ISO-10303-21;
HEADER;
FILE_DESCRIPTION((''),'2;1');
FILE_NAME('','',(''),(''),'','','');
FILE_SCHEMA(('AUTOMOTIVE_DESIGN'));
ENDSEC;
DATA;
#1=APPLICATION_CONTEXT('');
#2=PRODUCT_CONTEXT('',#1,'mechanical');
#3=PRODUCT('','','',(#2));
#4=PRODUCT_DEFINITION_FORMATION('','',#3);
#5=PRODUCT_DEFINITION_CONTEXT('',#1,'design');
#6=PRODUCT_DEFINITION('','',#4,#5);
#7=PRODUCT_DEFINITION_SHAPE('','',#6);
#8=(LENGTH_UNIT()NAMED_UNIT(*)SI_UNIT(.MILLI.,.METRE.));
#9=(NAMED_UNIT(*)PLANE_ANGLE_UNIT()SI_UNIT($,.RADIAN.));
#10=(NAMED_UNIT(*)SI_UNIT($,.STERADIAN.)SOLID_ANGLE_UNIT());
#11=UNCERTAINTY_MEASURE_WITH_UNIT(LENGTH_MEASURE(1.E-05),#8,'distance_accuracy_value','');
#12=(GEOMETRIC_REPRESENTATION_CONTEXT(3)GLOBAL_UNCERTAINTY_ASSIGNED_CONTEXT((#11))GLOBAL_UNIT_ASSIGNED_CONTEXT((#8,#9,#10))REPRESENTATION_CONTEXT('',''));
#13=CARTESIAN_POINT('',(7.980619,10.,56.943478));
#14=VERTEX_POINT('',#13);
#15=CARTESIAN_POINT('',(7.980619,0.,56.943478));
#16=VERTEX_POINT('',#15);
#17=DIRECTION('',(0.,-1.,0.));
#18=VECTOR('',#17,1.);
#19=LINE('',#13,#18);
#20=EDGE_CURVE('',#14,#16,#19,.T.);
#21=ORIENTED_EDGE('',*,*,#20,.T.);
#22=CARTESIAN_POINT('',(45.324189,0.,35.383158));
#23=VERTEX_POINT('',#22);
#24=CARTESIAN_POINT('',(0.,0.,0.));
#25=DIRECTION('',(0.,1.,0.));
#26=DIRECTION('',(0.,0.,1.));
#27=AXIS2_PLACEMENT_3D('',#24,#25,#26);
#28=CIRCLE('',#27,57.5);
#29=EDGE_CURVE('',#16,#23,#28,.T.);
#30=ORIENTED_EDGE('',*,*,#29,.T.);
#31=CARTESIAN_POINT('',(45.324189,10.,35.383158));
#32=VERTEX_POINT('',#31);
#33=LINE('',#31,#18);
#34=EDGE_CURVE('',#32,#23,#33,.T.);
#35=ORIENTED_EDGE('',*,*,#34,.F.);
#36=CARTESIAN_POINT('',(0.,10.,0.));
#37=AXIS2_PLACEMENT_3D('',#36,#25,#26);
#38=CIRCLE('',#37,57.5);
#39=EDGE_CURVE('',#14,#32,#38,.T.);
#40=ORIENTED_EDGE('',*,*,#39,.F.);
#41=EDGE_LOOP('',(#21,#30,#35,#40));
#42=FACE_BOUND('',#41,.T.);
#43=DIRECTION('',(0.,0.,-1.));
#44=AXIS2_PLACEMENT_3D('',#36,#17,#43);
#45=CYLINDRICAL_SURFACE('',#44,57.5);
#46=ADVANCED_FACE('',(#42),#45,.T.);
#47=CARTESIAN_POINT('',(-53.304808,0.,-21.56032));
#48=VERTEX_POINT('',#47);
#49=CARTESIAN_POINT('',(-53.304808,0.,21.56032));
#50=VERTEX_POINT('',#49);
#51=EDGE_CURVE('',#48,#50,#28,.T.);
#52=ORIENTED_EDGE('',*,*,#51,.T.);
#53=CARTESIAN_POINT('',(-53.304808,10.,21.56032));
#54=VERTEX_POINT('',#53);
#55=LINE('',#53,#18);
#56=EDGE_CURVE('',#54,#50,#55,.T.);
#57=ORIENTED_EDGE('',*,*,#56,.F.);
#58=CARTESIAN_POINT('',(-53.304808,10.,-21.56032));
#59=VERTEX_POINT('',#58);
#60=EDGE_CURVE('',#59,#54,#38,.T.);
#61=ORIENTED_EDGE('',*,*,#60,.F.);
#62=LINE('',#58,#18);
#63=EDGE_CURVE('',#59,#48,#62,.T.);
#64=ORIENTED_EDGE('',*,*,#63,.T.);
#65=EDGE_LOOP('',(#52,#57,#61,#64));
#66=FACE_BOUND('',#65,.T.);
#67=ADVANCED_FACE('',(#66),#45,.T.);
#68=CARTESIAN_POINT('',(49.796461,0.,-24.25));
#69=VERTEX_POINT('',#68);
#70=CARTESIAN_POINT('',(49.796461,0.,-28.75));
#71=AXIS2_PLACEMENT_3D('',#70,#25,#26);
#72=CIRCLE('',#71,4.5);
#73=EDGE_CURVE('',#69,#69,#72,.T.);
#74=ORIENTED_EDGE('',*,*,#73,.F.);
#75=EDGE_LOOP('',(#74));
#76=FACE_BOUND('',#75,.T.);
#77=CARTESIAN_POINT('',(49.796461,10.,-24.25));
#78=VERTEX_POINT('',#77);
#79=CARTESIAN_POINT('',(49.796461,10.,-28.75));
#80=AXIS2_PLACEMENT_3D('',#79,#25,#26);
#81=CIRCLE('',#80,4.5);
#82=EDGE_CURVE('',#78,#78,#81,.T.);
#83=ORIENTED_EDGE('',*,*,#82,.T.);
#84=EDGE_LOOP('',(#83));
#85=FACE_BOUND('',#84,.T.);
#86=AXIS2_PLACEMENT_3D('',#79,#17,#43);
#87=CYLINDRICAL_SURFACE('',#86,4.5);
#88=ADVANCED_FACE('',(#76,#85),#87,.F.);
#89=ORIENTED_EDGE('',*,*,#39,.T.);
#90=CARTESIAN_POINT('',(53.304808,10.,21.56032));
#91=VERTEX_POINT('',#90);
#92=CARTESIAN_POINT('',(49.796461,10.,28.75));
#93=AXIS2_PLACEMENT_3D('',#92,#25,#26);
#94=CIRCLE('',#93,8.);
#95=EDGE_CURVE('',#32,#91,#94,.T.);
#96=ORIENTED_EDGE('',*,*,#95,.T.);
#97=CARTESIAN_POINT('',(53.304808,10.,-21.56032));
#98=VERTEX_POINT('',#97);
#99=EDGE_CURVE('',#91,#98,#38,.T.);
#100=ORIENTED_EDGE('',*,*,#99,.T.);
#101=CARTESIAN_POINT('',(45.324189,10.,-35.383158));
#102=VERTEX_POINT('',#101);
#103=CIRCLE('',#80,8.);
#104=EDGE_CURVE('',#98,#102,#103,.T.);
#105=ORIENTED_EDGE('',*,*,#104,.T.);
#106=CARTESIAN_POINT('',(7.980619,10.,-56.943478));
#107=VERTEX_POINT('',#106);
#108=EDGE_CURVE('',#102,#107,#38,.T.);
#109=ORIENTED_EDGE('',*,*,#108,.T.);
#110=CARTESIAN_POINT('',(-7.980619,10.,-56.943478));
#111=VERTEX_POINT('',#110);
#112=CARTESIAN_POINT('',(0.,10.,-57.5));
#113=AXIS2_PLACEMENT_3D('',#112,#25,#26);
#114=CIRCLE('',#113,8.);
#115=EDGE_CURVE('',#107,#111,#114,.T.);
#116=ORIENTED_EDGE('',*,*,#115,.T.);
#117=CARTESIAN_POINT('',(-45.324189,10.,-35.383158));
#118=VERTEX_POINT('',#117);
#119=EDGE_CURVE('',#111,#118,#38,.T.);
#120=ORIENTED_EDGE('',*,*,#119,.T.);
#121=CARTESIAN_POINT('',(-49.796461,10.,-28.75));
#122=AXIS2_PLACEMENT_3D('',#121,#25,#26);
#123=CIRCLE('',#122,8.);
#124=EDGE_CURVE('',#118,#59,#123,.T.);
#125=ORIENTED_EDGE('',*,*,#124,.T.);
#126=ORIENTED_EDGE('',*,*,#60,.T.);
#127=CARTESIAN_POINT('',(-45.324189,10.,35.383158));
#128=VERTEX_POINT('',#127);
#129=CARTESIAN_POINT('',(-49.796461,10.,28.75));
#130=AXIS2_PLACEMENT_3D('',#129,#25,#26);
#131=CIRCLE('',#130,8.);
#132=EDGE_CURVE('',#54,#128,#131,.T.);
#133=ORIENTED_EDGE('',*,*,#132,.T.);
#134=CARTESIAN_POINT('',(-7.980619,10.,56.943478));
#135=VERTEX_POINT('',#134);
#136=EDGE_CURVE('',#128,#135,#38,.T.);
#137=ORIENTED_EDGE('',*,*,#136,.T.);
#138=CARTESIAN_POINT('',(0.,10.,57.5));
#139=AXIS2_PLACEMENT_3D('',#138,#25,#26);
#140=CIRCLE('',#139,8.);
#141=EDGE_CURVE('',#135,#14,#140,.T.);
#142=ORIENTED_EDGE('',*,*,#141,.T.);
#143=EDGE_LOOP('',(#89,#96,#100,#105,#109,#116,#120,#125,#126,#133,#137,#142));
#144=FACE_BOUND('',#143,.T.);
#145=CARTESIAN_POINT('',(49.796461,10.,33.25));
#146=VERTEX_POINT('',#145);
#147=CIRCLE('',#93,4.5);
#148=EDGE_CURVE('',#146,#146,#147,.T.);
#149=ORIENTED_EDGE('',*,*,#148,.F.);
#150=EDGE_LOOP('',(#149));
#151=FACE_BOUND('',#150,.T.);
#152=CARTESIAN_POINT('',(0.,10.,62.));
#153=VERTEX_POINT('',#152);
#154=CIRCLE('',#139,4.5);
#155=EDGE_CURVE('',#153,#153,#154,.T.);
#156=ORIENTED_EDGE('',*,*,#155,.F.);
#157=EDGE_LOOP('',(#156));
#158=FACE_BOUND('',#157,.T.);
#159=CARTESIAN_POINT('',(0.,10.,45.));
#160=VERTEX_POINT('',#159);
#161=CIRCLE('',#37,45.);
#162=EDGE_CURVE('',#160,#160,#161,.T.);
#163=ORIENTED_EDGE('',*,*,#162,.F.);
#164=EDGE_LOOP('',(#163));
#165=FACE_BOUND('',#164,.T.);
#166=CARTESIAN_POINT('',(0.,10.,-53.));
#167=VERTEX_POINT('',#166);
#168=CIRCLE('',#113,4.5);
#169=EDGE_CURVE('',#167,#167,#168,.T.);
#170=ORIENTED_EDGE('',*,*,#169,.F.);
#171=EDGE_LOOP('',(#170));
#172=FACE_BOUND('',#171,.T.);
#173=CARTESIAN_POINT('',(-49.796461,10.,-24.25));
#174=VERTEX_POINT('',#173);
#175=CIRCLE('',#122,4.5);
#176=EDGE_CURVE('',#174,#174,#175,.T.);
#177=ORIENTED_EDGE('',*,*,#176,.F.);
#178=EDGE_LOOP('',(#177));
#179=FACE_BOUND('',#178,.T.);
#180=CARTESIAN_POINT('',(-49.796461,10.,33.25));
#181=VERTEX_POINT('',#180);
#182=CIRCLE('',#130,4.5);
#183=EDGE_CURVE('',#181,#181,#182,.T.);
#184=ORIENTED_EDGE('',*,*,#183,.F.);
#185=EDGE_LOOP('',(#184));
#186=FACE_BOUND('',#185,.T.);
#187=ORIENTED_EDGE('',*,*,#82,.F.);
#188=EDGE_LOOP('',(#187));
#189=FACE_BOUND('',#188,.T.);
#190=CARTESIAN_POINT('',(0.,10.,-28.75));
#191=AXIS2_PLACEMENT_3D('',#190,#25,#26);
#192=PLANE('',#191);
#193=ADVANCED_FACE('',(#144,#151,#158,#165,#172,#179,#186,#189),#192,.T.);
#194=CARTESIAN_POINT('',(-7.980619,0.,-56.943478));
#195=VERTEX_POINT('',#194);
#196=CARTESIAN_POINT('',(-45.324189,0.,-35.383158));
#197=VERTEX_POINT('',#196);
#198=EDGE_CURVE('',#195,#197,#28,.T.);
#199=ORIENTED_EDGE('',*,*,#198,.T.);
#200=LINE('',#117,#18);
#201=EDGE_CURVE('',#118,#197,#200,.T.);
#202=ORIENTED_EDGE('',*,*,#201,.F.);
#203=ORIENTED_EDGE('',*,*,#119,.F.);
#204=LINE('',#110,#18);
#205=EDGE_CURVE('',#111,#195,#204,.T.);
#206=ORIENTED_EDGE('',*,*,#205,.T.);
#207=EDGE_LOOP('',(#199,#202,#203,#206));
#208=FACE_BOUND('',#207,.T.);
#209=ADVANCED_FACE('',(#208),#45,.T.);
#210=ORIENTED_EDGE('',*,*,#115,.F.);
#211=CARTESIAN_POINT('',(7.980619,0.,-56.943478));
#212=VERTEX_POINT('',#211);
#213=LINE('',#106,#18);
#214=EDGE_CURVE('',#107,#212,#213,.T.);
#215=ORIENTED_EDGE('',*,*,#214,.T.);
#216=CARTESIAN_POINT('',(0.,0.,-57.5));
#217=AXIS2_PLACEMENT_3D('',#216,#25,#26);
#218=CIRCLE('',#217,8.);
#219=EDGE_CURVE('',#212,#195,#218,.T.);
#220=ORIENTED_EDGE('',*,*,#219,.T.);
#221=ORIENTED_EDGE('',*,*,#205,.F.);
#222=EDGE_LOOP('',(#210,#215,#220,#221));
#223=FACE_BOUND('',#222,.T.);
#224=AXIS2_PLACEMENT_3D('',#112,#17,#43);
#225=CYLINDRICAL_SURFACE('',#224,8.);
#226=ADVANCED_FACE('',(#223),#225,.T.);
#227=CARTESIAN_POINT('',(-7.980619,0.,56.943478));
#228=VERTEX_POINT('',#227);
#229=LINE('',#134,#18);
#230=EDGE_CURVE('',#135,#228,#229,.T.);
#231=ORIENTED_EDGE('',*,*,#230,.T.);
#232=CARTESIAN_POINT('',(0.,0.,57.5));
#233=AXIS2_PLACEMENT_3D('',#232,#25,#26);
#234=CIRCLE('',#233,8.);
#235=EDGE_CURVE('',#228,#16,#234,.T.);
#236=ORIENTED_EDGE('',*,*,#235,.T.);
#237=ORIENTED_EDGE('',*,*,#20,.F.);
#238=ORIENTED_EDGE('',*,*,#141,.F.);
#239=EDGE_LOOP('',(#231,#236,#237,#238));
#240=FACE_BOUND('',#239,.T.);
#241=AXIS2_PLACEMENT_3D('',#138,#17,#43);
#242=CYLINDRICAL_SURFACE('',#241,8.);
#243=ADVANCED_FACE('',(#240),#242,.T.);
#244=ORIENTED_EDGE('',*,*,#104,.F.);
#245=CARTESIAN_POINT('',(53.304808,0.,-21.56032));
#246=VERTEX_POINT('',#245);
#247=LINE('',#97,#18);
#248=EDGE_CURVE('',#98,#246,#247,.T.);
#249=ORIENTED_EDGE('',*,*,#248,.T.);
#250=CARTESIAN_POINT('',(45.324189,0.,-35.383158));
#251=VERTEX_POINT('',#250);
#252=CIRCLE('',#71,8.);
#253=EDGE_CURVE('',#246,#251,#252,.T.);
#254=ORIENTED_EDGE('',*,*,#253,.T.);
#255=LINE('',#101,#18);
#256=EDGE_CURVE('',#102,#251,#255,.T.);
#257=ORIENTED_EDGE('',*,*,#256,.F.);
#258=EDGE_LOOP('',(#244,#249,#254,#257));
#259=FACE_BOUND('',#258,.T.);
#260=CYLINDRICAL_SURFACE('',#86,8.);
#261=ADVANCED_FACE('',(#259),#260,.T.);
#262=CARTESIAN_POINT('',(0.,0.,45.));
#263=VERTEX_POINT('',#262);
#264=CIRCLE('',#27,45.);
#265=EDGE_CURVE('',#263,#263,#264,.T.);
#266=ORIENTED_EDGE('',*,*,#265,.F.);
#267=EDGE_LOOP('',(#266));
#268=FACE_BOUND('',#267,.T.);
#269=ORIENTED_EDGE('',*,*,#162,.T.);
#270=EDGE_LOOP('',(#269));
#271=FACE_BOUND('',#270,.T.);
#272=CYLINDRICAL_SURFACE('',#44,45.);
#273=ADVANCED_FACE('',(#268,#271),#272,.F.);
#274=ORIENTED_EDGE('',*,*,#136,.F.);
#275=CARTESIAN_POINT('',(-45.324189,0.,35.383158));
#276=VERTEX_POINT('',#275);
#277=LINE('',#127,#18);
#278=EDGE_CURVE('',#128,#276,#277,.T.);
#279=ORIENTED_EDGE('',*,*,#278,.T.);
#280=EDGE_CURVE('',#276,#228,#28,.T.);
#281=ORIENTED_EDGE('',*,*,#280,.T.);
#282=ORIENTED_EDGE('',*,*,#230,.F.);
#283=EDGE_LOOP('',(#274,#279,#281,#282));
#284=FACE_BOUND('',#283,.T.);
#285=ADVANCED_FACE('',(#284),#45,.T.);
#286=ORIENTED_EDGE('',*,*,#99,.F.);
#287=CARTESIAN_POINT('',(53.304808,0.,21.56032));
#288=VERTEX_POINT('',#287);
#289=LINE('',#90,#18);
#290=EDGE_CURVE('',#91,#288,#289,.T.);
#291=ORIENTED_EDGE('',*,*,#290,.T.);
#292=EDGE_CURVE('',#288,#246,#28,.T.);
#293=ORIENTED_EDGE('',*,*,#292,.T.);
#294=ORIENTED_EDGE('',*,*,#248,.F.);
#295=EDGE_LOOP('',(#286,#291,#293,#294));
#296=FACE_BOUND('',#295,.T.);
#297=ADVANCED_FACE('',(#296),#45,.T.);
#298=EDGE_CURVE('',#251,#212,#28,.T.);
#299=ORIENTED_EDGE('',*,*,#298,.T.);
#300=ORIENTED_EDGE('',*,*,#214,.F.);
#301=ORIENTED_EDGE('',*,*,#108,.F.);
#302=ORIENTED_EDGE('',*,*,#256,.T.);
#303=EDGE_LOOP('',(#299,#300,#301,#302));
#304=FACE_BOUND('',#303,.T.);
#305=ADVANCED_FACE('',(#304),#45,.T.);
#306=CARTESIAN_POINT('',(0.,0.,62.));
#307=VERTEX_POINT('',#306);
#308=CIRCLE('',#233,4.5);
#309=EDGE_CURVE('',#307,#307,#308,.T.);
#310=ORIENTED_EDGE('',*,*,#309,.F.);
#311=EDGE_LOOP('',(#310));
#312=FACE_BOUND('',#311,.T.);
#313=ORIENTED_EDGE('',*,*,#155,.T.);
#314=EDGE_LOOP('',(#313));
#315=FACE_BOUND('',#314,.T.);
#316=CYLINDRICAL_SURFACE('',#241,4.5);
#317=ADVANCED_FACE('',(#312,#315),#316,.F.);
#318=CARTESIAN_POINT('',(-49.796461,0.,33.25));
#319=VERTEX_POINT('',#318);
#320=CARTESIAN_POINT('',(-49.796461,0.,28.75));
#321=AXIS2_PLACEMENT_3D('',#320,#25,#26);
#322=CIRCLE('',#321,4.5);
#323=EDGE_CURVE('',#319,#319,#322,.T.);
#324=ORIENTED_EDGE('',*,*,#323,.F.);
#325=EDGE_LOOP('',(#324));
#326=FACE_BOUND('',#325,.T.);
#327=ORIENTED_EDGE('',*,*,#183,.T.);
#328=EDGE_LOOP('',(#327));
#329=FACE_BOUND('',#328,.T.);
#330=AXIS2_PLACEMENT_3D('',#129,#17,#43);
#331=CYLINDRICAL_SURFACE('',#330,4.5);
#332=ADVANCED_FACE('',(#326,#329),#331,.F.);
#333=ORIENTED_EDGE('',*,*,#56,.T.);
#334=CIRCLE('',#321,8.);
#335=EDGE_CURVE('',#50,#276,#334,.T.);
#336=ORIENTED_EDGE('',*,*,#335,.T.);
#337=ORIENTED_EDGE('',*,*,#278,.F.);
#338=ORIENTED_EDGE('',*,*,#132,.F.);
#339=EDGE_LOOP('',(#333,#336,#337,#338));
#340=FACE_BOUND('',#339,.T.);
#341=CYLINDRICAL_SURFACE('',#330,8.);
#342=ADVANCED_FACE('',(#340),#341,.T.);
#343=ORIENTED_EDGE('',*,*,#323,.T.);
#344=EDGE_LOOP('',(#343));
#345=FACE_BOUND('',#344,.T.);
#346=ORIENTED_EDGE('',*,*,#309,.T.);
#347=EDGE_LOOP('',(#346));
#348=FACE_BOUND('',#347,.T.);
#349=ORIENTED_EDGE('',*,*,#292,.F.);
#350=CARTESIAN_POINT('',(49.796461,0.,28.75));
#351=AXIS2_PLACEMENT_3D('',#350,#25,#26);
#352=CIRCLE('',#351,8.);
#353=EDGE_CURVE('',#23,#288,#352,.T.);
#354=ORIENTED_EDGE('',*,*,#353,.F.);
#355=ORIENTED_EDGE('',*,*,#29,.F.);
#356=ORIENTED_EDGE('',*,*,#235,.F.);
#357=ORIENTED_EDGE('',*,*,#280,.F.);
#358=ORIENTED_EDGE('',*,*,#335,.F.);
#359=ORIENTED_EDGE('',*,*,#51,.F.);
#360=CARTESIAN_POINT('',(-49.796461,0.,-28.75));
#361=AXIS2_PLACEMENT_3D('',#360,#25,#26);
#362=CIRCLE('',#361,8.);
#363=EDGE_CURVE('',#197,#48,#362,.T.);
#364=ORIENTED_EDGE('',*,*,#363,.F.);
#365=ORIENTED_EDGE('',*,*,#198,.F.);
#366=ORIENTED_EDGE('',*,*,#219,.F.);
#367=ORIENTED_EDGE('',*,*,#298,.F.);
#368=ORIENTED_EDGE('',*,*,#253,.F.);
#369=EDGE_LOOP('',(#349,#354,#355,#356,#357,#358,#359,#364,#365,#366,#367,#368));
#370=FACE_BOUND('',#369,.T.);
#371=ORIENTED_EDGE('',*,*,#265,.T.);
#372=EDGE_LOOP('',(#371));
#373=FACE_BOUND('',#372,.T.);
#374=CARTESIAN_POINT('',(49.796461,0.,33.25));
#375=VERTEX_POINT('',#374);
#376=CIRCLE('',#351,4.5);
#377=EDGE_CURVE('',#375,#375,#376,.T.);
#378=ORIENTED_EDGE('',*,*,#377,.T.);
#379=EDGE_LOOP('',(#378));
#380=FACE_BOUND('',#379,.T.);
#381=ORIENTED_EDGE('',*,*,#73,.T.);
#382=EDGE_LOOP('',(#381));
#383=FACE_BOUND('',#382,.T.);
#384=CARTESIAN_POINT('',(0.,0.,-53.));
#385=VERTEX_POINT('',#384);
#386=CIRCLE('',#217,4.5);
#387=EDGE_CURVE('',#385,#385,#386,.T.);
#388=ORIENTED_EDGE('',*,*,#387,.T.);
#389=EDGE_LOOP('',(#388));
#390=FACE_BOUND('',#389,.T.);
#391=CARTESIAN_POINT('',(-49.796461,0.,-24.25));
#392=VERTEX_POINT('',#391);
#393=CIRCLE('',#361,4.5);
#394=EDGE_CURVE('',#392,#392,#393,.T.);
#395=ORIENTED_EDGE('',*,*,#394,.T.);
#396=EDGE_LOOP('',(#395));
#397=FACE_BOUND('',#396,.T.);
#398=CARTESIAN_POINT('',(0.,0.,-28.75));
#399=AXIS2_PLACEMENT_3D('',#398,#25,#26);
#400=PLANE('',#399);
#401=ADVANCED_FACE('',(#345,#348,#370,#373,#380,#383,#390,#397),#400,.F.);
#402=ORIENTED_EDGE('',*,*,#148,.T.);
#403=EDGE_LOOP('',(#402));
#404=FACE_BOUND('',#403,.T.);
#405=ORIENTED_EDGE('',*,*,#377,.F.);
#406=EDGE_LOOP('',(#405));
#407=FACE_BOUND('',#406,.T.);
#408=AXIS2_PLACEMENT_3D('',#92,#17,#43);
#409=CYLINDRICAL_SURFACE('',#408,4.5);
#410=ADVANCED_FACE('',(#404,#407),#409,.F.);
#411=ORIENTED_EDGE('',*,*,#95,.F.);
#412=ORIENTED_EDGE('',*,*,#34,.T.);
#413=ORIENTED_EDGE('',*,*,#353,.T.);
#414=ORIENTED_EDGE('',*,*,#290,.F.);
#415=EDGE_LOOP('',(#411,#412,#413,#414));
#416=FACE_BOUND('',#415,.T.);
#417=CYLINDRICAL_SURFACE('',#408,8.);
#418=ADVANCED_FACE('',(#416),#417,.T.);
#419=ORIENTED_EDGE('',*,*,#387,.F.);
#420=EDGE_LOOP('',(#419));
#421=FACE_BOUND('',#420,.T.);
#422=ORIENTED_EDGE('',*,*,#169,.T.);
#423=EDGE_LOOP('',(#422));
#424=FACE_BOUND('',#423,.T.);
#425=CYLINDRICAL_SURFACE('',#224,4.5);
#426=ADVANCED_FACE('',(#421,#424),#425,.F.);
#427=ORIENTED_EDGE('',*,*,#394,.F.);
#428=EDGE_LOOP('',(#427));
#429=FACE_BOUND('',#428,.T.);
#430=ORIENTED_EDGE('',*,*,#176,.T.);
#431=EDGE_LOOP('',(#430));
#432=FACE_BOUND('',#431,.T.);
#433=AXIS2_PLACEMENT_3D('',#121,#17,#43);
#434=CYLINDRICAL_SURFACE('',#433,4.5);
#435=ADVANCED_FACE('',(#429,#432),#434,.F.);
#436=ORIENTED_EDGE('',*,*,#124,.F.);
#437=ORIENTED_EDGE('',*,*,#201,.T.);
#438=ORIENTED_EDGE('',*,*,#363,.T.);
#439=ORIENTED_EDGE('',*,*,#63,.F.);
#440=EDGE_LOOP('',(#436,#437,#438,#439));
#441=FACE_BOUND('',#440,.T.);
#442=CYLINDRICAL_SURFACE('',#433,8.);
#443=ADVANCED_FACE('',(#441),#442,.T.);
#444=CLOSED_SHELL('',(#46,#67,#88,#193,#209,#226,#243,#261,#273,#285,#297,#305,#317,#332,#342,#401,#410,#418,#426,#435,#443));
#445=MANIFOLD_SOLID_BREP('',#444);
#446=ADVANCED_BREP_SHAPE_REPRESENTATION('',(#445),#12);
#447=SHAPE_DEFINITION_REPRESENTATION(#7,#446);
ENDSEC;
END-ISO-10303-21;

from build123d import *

# Parameters (mm, degrees)
SKETCH1_R           = 45
SKETCH1_R_2         = 4.5
BOSS_EXTRUDE1_DEPTH = 10


with BuildPart() as part:
    # Sketch1 → Boss-Extrude1 (new body)
    with BuildSketch(Plane(origin=(0, 0, 0), x_dir=(1, 0, 0), z_dir=(0, 1, 0))):
        with BuildLine():
            ThreePointArc((-7.980619246, 56.943478261), (-28.75, 49.796460718), (-45.324189131, 35.383158136))
            ThreePointArc((-45.324189131, 35.383158136), (-56.724663948, 32.75), (-53.304808377, 21.560320125))
            ThreePointArc((-53.304808377, 21.560320125), (-57.5, 0), (-53.304808377, -21.560320125))
            ThreePointArc((-53.304808377, -21.560320125), (-56.724663948, -32.75), (-45.324189131, -35.383158136))
            ThreePointArc((-45.324189131, -35.383158136), (-28.75, -49.796460718), (-7.980619246, -56.943478261))
            ThreePointArc((-7.980619246, -56.943478261), (0, -65.5), (7.980619246, -56.943478261))
            ThreePointArc((7.980619246, -56.943478261), (28.75, -49.796460718), (45.324189131, -35.383158136))
            ThreePointArc((45.324189131, -35.383158136), (56.724663948, -32.75), (53.304808377, -21.560320125))
            ThreePointArc((53.304808377, -21.560320125), (57.5, 0), (53.304808377, 21.560320125))
            ThreePointArc((53.304808377, 21.560320125), (56.724663948, 32.75), (45.324189131, 35.383158136))
            ThreePointArc((45.324189131, 35.383158136), (28.75, 49.796460718), (7.980619246, 56.943478261))
            ThreePointArc((7.980619246, 56.943478261), (0, 65.5), (-7.980619246, 56.943478261))
        make_face()
        Circle(SKETCH1_R, mode=Mode.SUBTRACT)
        with Locations((0, 57.5)):
            Circle(SKETCH1_R_2, mode=Mode.SUBTRACT)
        with Locations((49.796460718, 28.75)):
            Circle(SKETCH1_R_2, mode=Mode.SUBTRACT)
        with Locations((49.796460718, -28.75)):
            Circle(SKETCH1_R_2, mode=Mode.SUBTRACT)
        with Locations((0, -57.5)):
            Circle(SKETCH1_R_2, mode=Mode.SUBTRACT)
        with Locations((-49.796460718, -28.75)):
            Circle(SKETCH1_R_2, mode=Mode.SUBTRACT)
        with Locations((-49.796460718, 28.75)):
            Circle(SKETCH1_R_2, mode=Mode.SUBTRACT)
    extrude(amount=BOSS_EXTRUDE1_DEPTH)


solid = part.part
